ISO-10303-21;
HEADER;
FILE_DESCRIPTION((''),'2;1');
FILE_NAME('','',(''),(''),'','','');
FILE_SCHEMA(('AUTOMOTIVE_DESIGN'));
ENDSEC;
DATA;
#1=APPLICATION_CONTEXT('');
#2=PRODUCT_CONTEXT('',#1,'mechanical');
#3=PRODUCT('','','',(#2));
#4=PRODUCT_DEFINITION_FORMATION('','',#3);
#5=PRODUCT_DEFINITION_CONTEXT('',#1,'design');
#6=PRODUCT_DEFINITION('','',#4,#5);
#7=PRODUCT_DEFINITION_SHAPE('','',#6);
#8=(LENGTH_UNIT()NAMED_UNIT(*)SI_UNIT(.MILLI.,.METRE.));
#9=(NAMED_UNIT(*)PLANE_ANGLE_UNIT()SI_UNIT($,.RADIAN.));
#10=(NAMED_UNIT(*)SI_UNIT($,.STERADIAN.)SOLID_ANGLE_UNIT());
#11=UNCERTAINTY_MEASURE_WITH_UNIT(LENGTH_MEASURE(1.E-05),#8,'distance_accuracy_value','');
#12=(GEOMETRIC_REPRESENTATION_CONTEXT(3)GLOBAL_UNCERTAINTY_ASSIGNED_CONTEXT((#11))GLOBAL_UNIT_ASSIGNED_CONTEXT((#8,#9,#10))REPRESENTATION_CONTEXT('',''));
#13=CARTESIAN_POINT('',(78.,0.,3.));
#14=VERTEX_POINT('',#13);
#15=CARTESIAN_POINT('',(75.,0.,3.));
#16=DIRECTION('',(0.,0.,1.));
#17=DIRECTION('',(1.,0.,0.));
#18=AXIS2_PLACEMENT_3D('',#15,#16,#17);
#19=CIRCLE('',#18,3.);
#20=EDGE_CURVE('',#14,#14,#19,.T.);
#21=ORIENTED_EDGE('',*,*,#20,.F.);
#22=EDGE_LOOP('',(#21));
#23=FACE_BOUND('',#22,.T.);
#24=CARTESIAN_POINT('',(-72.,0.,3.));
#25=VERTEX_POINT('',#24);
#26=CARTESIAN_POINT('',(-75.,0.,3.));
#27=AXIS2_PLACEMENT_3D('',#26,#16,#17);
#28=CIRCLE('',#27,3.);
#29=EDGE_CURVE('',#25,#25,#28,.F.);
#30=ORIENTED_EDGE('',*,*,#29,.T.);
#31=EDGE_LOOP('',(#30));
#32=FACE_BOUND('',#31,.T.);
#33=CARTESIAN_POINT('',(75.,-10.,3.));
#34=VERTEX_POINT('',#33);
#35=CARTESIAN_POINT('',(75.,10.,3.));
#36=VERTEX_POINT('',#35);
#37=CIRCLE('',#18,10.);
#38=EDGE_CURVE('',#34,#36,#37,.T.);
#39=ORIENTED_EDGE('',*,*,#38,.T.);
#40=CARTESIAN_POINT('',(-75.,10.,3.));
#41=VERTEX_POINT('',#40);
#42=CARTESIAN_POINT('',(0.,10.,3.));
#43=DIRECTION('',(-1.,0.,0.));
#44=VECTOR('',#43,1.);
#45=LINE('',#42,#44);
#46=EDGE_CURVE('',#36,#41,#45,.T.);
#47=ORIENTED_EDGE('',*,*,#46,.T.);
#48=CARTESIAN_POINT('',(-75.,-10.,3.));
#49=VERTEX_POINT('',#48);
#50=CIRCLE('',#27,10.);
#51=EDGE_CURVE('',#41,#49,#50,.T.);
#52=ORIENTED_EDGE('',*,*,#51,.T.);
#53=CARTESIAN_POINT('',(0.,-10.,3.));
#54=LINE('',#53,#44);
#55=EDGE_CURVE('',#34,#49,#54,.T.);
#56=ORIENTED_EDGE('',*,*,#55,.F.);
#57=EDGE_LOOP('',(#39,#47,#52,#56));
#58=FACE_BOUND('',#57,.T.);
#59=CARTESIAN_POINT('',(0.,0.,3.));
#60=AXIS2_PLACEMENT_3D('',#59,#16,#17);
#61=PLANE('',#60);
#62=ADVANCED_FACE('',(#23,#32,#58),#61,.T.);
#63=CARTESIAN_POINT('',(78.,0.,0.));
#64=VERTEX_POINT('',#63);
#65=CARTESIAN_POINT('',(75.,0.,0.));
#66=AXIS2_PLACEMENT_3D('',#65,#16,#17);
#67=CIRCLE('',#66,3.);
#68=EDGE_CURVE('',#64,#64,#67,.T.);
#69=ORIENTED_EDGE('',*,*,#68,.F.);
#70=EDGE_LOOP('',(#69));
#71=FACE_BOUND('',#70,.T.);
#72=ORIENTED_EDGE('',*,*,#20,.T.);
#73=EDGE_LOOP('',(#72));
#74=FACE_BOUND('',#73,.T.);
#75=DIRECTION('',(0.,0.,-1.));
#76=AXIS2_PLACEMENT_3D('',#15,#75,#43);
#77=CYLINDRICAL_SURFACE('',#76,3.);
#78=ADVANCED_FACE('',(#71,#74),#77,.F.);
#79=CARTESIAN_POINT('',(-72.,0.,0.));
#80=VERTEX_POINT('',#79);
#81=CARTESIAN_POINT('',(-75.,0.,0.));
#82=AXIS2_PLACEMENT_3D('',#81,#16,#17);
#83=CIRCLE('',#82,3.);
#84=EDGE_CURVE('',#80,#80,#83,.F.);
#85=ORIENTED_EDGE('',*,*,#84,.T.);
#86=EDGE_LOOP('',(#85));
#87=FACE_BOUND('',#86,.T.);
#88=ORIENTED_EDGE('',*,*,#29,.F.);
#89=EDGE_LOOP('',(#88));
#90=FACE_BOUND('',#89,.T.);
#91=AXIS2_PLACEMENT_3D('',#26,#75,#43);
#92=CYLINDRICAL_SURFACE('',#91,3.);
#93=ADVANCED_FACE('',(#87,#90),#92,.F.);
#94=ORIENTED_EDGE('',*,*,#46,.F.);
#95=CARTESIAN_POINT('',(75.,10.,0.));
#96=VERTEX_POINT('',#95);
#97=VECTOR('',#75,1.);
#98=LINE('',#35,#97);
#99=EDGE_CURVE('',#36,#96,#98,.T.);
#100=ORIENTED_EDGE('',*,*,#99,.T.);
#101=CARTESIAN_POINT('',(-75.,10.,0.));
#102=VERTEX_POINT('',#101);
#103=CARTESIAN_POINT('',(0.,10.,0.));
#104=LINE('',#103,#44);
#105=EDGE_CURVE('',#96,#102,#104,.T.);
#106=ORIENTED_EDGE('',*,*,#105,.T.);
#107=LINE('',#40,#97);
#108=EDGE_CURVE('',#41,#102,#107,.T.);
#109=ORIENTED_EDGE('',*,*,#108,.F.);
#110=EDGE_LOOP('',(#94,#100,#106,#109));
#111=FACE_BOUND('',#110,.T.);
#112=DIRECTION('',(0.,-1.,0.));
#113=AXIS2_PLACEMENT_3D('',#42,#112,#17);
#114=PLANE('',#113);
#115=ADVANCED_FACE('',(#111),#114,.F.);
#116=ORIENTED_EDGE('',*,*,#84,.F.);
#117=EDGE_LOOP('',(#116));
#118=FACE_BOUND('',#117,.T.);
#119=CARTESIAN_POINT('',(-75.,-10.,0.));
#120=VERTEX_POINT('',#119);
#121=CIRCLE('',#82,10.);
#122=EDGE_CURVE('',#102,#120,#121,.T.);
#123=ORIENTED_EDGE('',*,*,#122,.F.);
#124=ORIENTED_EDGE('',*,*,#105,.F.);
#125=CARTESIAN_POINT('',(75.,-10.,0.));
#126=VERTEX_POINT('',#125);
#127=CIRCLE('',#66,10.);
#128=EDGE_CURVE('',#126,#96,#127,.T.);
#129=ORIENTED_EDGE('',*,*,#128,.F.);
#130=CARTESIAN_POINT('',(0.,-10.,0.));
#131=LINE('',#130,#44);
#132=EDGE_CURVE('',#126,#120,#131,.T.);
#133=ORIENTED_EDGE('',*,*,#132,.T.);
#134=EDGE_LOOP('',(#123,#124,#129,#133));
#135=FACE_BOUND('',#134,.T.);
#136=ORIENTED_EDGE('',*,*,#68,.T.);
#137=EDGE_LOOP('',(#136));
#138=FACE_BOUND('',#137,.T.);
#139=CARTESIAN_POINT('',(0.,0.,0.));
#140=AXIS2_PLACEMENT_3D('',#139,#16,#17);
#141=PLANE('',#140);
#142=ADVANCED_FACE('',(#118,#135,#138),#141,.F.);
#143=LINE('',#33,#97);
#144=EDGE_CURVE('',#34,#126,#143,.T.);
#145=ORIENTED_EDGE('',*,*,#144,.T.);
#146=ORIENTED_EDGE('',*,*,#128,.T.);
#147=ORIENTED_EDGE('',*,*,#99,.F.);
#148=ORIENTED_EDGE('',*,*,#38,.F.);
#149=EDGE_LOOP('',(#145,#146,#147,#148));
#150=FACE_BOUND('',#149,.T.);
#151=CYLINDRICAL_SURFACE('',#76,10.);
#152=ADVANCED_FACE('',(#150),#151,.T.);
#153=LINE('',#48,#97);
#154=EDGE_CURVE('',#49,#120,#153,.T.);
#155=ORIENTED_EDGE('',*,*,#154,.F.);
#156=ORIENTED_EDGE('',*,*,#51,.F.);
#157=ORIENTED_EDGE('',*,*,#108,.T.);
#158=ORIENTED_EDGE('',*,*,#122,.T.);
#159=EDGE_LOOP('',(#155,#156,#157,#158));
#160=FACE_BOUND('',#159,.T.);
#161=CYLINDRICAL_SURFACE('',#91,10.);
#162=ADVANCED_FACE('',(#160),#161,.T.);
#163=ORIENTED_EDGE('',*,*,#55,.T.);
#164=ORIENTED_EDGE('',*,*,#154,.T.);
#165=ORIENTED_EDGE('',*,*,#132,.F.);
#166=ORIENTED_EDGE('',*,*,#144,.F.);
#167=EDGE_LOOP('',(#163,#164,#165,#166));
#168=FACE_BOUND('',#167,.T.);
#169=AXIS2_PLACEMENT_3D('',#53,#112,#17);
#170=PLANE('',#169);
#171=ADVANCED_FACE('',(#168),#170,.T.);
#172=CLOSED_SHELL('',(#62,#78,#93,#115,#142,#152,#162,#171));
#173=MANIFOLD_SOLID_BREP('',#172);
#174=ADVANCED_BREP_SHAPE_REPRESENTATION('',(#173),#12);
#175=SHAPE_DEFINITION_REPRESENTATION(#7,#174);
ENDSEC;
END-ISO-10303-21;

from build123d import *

# Parameters (mm, degrees)
SKETCH1_R           = 3
BOSS_EXTRUDE1_DEPTH = 3


with BuildPart() as part:
    # Sketch1 → Boss-Extrude1 (new body)
    with BuildSketch(Plane.XY):
        with BuildLine():
            Line((-75, -10), (75, -10))
            ThreePointArc((75, -10), (85, 0), (75, 10))
            Line((75, 10), (-75, 10))
            ThreePointArc((-75, 10), (-85, 0), (-75, -10))
        make_face()
        with Locations((-75, 0)):
            Circle(SKETCH1_R, mode=Mode.SUBTRACT)
        with Locations((75, 0)):
            Circle(SKETCH1_R, mode=Mode.SUBTRACT)
    extrude(amount=BOSS_EXTRUDE1_DEPTH)


solid = part.part
